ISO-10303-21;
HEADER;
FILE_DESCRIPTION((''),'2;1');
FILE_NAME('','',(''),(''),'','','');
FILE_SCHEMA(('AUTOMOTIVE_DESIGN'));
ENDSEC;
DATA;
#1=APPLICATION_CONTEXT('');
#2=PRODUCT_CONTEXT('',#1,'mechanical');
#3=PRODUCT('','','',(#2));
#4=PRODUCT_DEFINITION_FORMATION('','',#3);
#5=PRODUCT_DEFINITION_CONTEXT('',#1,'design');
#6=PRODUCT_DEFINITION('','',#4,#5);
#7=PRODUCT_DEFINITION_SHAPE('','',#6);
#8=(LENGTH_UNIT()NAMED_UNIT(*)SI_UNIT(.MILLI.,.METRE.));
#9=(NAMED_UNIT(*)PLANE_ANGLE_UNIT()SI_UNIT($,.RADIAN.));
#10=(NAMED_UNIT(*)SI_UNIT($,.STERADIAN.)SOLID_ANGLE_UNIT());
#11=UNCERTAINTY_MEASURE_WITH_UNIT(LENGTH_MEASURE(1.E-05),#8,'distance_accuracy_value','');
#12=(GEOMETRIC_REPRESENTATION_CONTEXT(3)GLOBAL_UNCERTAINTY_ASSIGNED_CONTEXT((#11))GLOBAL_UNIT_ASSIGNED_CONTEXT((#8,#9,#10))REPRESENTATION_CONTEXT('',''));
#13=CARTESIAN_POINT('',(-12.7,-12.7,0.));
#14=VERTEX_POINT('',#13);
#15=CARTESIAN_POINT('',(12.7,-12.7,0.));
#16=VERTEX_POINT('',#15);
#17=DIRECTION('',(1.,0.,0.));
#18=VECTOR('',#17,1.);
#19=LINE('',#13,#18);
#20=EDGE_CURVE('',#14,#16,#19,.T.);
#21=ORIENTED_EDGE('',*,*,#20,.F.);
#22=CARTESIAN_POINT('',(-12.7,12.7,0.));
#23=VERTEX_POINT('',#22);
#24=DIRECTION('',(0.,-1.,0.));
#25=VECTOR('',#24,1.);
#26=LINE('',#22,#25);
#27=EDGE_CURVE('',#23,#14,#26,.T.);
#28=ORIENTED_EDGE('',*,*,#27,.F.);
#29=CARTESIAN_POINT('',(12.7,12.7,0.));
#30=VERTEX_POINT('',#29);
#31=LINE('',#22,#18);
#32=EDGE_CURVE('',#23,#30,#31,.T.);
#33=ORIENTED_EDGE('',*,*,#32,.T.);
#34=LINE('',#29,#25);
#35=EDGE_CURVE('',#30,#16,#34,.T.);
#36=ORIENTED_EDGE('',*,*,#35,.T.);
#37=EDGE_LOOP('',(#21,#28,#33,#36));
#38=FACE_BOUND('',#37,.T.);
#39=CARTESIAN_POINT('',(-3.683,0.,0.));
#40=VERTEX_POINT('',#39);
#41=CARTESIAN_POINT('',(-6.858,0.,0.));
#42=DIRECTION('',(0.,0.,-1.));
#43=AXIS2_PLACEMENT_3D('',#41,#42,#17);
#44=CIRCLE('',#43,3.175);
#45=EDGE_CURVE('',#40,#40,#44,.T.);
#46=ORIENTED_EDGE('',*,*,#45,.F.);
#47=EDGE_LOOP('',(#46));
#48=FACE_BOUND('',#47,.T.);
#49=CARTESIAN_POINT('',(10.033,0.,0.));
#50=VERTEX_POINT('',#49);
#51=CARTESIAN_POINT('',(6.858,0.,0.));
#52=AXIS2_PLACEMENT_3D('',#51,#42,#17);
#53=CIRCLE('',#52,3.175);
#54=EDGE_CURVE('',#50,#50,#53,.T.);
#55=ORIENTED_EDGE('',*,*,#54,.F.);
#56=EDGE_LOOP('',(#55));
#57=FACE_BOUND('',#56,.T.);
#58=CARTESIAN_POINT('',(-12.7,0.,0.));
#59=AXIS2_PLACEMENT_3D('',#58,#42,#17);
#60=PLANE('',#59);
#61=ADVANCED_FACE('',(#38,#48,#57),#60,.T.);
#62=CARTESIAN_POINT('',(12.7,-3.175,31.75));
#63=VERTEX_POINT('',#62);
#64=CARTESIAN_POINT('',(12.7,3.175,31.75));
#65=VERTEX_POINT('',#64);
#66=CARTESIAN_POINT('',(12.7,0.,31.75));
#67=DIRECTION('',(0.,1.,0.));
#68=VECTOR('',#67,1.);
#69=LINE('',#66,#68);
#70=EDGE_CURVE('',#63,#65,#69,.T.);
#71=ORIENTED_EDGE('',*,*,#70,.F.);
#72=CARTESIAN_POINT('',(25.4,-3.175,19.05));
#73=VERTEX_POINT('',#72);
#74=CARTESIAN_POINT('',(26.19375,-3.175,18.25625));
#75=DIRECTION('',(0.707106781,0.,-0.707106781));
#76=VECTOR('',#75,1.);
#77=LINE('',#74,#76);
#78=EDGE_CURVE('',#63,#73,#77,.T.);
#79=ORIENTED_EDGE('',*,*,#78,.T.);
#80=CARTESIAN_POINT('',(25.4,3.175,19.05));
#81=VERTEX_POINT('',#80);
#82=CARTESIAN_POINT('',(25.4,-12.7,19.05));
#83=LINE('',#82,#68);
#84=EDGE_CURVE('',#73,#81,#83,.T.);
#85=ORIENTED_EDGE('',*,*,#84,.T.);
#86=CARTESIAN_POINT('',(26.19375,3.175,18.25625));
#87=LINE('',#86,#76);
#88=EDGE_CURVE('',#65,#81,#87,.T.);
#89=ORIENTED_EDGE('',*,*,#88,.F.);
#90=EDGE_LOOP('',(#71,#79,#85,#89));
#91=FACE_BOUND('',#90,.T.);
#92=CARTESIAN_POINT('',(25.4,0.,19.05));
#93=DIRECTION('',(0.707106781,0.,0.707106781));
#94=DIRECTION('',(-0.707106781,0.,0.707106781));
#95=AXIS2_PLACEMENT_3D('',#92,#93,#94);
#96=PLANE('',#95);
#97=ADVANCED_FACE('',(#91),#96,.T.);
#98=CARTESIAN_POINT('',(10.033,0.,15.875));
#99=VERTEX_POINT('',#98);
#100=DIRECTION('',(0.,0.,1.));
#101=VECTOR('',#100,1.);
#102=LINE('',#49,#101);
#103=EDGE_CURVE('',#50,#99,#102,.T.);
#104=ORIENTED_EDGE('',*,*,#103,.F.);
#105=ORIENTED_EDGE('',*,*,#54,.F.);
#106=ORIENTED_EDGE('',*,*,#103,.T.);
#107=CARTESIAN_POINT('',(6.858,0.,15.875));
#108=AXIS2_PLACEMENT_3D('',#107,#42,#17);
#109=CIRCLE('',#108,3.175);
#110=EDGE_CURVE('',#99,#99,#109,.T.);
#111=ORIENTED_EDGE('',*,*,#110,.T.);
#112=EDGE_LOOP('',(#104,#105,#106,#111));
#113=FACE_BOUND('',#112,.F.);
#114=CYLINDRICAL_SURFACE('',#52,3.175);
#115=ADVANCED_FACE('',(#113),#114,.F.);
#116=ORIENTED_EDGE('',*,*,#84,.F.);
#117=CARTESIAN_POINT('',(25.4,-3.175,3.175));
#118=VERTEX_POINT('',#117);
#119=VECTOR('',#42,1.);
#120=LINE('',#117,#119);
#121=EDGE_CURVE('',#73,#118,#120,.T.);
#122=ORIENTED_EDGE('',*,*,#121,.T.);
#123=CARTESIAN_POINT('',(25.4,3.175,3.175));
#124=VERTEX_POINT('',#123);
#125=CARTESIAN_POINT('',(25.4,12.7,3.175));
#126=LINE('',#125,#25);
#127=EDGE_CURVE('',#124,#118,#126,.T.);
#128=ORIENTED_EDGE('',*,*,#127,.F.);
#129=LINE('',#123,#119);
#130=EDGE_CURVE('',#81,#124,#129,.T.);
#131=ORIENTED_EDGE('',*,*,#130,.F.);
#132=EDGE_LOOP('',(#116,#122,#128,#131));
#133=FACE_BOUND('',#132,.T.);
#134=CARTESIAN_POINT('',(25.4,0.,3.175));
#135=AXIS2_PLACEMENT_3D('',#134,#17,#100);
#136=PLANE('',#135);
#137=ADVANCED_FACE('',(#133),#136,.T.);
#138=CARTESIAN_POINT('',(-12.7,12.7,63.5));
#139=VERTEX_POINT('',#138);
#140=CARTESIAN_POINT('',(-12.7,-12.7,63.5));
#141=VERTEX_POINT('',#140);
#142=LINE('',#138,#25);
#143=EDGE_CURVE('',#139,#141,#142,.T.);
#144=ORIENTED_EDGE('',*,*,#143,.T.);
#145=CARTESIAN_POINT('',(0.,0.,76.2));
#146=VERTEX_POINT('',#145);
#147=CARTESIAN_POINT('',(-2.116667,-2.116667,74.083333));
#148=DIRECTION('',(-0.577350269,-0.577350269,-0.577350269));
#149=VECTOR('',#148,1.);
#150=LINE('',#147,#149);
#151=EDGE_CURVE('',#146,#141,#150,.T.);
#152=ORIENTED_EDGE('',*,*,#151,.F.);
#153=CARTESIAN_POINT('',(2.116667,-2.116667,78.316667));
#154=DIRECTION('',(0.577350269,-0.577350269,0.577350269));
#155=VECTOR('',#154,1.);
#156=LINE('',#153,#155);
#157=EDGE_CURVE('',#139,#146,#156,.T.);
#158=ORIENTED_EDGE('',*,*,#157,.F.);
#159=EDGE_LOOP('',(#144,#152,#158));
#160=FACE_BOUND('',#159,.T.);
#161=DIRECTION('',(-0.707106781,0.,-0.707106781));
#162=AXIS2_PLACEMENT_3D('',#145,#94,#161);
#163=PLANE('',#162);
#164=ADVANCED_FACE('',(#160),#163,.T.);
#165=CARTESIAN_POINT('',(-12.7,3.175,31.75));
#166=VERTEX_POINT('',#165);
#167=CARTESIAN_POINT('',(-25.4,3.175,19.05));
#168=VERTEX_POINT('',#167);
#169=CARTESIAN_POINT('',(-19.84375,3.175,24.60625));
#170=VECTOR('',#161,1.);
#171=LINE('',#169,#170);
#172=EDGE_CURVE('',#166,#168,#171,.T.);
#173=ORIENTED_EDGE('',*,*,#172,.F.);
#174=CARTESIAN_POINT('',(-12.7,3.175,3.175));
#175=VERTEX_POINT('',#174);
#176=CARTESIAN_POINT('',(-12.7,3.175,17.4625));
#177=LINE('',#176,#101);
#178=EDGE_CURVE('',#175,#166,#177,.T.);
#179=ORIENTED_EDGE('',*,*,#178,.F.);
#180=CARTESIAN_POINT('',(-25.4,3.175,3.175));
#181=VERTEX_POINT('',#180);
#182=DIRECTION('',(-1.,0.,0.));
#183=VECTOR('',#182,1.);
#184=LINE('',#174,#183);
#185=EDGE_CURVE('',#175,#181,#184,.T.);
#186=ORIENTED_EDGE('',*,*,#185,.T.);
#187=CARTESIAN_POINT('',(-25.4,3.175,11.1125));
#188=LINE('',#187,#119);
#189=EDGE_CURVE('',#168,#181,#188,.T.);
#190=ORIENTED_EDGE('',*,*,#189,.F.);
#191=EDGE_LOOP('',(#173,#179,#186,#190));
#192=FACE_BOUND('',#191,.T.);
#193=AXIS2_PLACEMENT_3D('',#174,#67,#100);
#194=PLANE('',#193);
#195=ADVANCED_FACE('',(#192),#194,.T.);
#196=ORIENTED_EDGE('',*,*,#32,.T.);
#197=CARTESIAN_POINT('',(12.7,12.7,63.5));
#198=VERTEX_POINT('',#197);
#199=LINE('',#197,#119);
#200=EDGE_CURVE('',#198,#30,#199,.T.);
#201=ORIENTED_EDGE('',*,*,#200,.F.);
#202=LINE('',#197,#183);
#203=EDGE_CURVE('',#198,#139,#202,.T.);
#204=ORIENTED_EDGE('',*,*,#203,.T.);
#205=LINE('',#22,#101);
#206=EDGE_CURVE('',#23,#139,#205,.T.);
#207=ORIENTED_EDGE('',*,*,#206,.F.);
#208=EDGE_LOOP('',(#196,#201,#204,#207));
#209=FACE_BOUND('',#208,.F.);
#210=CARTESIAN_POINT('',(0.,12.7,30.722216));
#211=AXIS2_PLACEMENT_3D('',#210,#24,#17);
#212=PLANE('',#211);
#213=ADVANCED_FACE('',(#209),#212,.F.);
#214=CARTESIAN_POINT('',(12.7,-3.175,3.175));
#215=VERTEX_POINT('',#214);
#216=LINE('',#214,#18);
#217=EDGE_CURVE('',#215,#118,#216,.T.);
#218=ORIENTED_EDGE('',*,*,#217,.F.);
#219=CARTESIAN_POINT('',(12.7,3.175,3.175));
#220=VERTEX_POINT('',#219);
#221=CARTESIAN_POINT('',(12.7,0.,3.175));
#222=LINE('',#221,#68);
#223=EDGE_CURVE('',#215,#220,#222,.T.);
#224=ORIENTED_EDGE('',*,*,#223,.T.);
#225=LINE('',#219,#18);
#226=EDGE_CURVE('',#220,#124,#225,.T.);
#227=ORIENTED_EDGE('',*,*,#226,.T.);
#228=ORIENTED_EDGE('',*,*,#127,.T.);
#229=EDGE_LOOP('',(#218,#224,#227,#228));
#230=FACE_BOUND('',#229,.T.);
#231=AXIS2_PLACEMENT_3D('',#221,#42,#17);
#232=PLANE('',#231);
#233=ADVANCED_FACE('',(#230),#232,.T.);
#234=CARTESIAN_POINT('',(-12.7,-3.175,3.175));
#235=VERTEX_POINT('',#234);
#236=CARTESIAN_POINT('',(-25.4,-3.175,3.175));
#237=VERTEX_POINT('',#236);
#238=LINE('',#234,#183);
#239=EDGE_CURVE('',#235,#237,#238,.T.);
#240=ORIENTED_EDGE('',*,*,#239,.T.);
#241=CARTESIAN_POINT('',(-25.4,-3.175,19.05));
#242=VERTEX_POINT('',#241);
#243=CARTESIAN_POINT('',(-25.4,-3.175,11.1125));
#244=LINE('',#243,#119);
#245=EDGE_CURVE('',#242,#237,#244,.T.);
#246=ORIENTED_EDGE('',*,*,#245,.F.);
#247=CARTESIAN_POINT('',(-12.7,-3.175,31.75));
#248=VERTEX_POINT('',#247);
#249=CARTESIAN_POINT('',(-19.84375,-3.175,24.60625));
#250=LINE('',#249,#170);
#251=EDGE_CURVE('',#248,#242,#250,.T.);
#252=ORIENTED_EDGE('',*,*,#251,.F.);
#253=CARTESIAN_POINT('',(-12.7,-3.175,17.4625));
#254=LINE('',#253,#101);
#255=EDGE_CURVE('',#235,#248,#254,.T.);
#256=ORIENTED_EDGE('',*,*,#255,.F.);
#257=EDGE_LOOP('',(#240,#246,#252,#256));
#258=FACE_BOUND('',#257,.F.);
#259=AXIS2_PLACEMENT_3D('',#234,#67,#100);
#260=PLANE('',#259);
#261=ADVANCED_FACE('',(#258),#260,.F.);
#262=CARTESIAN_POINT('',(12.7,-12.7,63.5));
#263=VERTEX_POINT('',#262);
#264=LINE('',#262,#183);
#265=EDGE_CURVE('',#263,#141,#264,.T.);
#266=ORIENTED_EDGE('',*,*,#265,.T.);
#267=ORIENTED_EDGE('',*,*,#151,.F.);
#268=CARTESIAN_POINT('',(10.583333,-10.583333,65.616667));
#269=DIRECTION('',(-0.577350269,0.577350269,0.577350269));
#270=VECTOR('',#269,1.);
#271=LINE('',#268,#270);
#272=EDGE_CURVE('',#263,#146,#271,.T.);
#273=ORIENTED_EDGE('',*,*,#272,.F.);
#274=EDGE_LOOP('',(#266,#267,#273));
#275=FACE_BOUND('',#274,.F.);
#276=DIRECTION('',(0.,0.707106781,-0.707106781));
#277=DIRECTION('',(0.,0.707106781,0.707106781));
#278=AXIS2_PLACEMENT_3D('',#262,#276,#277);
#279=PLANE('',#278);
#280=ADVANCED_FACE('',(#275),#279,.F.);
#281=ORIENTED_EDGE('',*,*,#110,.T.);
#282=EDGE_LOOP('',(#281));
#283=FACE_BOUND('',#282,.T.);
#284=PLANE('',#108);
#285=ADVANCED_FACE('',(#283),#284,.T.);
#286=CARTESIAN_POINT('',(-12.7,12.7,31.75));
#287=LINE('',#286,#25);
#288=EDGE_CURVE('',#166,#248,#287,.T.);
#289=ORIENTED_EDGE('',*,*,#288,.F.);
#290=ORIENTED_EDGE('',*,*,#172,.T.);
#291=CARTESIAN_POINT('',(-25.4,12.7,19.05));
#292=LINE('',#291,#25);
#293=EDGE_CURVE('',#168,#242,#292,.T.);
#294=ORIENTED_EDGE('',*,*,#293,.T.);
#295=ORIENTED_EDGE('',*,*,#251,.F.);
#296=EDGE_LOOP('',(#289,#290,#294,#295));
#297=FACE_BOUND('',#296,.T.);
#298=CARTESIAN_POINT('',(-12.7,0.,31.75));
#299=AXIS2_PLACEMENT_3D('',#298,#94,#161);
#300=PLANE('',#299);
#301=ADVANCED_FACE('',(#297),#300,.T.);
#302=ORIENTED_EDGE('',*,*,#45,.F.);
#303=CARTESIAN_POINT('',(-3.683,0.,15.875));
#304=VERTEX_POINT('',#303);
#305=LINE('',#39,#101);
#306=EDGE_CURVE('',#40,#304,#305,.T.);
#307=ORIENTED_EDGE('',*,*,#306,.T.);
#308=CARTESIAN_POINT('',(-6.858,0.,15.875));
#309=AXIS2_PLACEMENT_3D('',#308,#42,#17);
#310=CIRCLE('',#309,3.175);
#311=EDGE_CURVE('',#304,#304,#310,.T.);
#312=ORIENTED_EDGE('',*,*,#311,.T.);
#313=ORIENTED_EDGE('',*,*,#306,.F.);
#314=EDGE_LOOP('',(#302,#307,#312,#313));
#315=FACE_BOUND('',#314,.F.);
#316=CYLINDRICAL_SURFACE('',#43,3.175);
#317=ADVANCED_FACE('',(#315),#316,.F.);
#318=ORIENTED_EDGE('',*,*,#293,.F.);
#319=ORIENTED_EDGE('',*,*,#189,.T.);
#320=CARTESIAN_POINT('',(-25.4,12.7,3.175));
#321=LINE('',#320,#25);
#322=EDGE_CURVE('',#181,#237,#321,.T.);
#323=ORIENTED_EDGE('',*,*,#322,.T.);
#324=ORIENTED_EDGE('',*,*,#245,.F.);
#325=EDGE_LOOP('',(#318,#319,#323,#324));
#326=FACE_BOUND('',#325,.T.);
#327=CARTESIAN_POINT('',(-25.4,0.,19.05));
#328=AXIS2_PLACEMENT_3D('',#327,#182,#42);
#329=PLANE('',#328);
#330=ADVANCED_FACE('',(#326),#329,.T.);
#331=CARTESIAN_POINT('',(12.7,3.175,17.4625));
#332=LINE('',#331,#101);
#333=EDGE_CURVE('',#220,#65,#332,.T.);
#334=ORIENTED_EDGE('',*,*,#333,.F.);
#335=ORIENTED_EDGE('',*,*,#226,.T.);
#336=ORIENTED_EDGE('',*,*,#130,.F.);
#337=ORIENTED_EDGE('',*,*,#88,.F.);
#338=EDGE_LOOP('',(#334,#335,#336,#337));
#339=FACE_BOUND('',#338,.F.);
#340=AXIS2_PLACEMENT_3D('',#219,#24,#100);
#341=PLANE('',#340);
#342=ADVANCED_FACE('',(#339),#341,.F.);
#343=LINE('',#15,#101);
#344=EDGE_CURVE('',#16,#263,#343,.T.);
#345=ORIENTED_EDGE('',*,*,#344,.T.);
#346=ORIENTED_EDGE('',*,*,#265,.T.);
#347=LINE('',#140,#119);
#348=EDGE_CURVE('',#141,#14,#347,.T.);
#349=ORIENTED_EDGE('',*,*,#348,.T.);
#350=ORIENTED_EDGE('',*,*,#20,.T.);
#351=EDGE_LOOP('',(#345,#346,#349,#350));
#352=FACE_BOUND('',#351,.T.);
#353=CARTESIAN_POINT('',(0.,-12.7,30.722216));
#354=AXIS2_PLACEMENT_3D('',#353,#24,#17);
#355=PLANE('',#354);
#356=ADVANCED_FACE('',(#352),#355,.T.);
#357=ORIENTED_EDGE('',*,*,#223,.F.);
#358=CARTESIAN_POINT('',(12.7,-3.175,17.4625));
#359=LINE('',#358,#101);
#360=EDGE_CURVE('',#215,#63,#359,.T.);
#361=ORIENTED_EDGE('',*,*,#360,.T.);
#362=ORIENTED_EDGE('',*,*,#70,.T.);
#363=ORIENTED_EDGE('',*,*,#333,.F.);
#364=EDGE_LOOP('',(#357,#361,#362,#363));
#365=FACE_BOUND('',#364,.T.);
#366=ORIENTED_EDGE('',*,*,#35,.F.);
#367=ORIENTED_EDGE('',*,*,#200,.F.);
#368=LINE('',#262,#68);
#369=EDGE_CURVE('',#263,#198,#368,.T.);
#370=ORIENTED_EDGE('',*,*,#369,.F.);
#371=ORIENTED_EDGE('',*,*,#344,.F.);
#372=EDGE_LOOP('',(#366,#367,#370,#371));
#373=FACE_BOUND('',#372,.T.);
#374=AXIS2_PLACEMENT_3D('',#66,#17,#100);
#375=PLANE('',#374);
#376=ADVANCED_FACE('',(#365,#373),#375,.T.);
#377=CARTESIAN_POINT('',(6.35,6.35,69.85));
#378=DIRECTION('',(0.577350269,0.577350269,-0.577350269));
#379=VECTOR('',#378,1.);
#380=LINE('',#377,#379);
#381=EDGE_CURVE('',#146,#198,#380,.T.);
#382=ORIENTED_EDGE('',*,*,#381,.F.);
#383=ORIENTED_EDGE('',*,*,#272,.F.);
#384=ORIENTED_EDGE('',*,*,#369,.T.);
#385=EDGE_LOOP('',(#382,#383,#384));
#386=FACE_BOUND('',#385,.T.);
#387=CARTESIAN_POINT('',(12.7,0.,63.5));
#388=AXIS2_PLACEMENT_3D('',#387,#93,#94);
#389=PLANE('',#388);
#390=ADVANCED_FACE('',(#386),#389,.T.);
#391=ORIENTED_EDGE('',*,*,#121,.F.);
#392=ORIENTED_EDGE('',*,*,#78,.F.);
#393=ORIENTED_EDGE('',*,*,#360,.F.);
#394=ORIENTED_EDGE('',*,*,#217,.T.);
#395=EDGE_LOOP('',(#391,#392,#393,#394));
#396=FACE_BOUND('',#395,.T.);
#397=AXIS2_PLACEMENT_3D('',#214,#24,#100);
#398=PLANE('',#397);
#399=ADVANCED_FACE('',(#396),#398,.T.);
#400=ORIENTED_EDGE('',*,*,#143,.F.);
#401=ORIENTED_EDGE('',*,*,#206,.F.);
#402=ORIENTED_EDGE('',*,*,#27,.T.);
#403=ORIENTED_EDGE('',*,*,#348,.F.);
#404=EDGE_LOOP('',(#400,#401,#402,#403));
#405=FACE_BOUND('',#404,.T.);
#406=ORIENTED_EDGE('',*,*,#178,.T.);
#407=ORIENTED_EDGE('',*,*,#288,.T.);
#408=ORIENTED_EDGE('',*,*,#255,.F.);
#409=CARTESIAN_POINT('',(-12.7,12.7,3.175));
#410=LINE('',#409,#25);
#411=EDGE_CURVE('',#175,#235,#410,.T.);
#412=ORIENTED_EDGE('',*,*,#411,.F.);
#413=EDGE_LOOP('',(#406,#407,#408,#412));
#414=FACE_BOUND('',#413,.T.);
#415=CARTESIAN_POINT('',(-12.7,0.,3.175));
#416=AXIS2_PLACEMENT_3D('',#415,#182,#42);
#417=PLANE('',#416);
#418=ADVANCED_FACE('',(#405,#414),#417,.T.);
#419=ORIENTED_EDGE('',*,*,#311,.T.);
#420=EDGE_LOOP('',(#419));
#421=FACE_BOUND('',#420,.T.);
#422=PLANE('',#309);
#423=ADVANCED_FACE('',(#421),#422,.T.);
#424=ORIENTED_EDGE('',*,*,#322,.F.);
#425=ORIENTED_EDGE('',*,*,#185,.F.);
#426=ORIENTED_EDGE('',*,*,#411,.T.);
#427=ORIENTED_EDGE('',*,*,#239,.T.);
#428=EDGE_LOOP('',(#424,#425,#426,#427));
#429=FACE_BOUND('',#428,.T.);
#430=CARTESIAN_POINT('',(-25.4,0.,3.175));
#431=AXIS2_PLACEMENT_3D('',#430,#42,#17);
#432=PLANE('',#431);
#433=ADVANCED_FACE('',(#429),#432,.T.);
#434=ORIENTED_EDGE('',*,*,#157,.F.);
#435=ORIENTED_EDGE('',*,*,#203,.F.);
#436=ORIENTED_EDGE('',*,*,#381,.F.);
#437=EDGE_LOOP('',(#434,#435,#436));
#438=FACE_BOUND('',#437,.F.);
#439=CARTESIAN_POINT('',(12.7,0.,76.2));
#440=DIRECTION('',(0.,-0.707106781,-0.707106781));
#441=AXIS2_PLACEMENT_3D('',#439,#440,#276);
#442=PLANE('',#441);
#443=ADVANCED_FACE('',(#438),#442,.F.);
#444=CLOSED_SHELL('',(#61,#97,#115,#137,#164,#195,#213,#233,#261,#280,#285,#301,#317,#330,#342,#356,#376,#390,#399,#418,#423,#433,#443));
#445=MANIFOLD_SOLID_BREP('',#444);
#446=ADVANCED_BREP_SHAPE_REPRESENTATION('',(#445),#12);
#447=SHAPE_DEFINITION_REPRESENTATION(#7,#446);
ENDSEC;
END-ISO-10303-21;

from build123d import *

# Parameters (mm, degrees)
F1_DEPTH = 12.7
F2_W     = 25.4
F2_H     = 76.2
F2_W_2   = 6.35
F2_H_2   = 28.575
F3_DEPTH = 12.701
F4_W     = 9.525
F4_H     = 28.575
F5_DEPTH = 12.701
F7_DEPTH = 38.101
F8_R     = 3.175
F9_DEPTH = 15.875


with BuildPart() as f1:
    # F0 (on Front) → F1 (new body, symmetric)
    with BuildSketch(Plane.XZ):
        Polygon((12.7, 63.5), (0, 76.2), (-12.7, 63.5), (-12.7, 31.75), (-25.4, 19.05), (-25.4, 3.175), (-12.7, 3.175), (-12.7, 0), (0, 0), (12.7, 0), (12.7, 3.175), (25.4, 3.175), (25.4, 19.05), (12.7, 31.75), align=None)
    extrude(amount=F1_DEPTH, both=True)

    # F2 (on face) → F3 (cut, through all)
    with BuildSketch(Plane.YZ.offset(12.7)):
        with Locations((0, 38.1)):
            Rectangle(F2_W, F2_H)
        with Locations((0, 17.4625)):
            Rectangle(F2_W_2, F2_H_2, mode=Mode.SUBTRACT)
    extrude(amount=F3_DEPTH, mode=Mode.SUBTRACT)

    # F4 (on face) → F5 (cut, through all)
    with BuildSketch(Plane(origin=(-12.7, 0, 0), x_dir=(0, -1, 0), z_dir=(-1, 0, 0))):
        with Locations((-7.9375, 17.4625)):
            Rectangle(F4_W, F4_H)
        with Locations((7.9375, 17.4625)):
            Rectangle(F4_W, F4_H)
    extrude(amount=F5_DEPTH, mode=Mode.SUBTRACT)

    # F6 (on face) → F7 (cut, through all)
    with BuildSketch(Plane.YZ.offset(12.7)):
        Polygon((-12.7, 76.2), (-12.7, 63.5), (0, 76.2), align=None)
        Polygon((12.7, 76.2), (0, 76.2), (12.7, 63.5), align=None)
    extrude(amount=-F7_DEPTH, mode=Mode.SUBTRACT)

    # F8 (on face) → F9 (cut)
    with BuildSketch(Plane(origin=(0, 0, 0), x_dir=(1, 0, 0), z_dir=(0, 0, -1))):
        with Locations((6.858, 0)):
            Circle(F8_R)
        with Locations((-6.858, 0)):
            Circle(F8_R)
    extrude(amount=-F9_DEPTH, mode=Mode.SUBTRACT)


solid = f1.part
